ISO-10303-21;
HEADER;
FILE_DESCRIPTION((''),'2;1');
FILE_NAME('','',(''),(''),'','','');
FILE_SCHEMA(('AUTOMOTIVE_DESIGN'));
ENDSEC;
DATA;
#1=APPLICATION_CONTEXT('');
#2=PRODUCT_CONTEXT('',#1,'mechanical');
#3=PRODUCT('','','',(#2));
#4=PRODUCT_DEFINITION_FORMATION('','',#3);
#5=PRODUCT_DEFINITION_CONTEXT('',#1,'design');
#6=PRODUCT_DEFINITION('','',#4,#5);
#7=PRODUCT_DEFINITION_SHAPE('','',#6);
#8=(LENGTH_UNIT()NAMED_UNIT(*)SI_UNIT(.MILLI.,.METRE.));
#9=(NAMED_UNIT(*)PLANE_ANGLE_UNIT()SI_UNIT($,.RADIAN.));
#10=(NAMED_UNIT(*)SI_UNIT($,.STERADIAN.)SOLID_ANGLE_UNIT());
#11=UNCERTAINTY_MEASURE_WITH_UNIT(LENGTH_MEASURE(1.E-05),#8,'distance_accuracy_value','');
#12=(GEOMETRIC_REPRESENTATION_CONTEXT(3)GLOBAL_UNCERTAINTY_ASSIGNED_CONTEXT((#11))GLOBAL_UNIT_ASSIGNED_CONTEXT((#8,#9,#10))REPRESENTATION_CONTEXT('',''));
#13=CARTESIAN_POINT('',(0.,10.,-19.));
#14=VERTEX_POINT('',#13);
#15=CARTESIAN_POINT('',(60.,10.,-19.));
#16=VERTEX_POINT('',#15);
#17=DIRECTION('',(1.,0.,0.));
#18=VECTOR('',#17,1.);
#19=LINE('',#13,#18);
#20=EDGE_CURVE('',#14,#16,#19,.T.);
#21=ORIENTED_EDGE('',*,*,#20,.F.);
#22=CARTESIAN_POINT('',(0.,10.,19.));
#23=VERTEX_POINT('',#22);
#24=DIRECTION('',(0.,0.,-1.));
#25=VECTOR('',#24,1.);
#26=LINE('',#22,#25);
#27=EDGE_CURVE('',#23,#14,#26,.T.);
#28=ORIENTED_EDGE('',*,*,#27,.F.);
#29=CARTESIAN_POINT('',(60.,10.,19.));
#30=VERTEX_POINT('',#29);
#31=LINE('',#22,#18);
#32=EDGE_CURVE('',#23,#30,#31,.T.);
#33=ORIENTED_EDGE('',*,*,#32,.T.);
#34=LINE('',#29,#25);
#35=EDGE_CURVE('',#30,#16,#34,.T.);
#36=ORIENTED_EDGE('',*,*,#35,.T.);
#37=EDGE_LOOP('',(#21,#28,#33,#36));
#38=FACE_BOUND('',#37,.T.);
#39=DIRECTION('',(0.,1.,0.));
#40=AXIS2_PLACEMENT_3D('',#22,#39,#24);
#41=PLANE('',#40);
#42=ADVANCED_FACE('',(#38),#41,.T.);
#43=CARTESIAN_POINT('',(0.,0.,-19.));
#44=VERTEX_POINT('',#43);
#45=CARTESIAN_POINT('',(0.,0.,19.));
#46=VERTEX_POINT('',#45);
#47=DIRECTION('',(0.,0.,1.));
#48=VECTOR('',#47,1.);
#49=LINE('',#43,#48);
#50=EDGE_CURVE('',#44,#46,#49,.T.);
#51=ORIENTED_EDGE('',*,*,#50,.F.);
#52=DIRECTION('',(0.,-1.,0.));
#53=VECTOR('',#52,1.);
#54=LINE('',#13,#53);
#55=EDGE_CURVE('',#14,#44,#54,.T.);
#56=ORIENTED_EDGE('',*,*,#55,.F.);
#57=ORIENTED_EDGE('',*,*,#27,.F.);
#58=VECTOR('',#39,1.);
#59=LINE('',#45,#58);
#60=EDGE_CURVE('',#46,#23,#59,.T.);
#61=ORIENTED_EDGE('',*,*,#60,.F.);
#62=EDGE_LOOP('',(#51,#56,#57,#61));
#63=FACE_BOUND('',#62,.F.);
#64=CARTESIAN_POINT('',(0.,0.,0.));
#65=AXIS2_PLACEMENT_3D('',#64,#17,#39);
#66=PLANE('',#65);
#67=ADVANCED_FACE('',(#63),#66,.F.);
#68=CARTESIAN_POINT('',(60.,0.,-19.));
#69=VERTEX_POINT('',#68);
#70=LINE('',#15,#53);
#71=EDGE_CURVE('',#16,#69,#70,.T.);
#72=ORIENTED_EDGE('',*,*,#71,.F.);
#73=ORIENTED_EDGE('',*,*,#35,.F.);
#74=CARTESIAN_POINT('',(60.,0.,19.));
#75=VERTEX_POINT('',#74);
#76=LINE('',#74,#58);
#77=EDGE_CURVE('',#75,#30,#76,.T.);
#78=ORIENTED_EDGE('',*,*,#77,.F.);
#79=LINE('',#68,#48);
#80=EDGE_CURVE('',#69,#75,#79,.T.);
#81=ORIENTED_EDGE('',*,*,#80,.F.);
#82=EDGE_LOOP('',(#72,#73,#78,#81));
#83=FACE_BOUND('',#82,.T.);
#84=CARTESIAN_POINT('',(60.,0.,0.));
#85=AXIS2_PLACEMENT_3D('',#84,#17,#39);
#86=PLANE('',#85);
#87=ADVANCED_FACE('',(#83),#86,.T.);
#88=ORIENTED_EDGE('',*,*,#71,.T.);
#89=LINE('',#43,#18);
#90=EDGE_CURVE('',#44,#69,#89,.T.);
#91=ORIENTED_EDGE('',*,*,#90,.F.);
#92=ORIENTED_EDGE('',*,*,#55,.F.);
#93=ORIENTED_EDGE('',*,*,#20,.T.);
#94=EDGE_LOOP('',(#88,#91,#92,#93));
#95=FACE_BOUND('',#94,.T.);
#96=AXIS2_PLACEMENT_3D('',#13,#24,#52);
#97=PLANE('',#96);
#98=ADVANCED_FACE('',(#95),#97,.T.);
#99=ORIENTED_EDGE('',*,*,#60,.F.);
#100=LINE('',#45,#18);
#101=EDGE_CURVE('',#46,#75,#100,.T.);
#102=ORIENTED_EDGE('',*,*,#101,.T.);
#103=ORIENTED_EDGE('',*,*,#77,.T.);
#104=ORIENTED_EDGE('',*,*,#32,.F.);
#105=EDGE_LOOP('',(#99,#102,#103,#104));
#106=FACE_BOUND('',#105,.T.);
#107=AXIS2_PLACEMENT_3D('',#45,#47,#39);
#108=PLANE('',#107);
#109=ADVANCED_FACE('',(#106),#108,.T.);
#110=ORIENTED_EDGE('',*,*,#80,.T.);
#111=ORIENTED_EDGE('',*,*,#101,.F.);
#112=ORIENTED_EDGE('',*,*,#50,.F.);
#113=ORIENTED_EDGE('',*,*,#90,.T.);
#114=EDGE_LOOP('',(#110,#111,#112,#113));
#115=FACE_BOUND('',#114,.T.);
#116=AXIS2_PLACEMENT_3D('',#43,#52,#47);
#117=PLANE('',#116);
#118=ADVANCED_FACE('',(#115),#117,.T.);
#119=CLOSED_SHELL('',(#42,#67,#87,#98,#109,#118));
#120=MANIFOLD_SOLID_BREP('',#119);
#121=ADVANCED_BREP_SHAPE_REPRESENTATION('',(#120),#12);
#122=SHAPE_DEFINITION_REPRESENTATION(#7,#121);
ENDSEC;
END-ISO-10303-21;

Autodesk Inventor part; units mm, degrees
ref_plane "YZ Plane" through (0, 0, 0) normal (1, 0, 0) x (0, 1, 0)
ref_plane "XZ Plane" through (0, 0, 0) normal (0, 1, 0) x (-1, 0, 0)
ref_plane "XY Plane" through (0, 0, 0) normal (0, 0, 1) x (1, 0, 0)
sketch "Эскиз1" plane through (0, 0, 0) normal (1, 0, 0) x (0, 1, 0)
  line L0 (0, 19) -> (10, 19)
  line L1 (10, 19) -> (10, -19)
  line L2 (10, -19) -> (0, -19)
  line L3 (0, -19) -> (0, 19)
  line L4 (-2, 0) -> (12, 0) construction
  line L5 (0, -26.6) -> (0, 26.6) construction
  point P0 (0, 0)
  dimension "d0" = 10
  dimension "d1" = 38
extrude "Выдавливание1" add sketch "Эскиз1" along normal blind 60
properties part number "Стенкка для ковнейера"
